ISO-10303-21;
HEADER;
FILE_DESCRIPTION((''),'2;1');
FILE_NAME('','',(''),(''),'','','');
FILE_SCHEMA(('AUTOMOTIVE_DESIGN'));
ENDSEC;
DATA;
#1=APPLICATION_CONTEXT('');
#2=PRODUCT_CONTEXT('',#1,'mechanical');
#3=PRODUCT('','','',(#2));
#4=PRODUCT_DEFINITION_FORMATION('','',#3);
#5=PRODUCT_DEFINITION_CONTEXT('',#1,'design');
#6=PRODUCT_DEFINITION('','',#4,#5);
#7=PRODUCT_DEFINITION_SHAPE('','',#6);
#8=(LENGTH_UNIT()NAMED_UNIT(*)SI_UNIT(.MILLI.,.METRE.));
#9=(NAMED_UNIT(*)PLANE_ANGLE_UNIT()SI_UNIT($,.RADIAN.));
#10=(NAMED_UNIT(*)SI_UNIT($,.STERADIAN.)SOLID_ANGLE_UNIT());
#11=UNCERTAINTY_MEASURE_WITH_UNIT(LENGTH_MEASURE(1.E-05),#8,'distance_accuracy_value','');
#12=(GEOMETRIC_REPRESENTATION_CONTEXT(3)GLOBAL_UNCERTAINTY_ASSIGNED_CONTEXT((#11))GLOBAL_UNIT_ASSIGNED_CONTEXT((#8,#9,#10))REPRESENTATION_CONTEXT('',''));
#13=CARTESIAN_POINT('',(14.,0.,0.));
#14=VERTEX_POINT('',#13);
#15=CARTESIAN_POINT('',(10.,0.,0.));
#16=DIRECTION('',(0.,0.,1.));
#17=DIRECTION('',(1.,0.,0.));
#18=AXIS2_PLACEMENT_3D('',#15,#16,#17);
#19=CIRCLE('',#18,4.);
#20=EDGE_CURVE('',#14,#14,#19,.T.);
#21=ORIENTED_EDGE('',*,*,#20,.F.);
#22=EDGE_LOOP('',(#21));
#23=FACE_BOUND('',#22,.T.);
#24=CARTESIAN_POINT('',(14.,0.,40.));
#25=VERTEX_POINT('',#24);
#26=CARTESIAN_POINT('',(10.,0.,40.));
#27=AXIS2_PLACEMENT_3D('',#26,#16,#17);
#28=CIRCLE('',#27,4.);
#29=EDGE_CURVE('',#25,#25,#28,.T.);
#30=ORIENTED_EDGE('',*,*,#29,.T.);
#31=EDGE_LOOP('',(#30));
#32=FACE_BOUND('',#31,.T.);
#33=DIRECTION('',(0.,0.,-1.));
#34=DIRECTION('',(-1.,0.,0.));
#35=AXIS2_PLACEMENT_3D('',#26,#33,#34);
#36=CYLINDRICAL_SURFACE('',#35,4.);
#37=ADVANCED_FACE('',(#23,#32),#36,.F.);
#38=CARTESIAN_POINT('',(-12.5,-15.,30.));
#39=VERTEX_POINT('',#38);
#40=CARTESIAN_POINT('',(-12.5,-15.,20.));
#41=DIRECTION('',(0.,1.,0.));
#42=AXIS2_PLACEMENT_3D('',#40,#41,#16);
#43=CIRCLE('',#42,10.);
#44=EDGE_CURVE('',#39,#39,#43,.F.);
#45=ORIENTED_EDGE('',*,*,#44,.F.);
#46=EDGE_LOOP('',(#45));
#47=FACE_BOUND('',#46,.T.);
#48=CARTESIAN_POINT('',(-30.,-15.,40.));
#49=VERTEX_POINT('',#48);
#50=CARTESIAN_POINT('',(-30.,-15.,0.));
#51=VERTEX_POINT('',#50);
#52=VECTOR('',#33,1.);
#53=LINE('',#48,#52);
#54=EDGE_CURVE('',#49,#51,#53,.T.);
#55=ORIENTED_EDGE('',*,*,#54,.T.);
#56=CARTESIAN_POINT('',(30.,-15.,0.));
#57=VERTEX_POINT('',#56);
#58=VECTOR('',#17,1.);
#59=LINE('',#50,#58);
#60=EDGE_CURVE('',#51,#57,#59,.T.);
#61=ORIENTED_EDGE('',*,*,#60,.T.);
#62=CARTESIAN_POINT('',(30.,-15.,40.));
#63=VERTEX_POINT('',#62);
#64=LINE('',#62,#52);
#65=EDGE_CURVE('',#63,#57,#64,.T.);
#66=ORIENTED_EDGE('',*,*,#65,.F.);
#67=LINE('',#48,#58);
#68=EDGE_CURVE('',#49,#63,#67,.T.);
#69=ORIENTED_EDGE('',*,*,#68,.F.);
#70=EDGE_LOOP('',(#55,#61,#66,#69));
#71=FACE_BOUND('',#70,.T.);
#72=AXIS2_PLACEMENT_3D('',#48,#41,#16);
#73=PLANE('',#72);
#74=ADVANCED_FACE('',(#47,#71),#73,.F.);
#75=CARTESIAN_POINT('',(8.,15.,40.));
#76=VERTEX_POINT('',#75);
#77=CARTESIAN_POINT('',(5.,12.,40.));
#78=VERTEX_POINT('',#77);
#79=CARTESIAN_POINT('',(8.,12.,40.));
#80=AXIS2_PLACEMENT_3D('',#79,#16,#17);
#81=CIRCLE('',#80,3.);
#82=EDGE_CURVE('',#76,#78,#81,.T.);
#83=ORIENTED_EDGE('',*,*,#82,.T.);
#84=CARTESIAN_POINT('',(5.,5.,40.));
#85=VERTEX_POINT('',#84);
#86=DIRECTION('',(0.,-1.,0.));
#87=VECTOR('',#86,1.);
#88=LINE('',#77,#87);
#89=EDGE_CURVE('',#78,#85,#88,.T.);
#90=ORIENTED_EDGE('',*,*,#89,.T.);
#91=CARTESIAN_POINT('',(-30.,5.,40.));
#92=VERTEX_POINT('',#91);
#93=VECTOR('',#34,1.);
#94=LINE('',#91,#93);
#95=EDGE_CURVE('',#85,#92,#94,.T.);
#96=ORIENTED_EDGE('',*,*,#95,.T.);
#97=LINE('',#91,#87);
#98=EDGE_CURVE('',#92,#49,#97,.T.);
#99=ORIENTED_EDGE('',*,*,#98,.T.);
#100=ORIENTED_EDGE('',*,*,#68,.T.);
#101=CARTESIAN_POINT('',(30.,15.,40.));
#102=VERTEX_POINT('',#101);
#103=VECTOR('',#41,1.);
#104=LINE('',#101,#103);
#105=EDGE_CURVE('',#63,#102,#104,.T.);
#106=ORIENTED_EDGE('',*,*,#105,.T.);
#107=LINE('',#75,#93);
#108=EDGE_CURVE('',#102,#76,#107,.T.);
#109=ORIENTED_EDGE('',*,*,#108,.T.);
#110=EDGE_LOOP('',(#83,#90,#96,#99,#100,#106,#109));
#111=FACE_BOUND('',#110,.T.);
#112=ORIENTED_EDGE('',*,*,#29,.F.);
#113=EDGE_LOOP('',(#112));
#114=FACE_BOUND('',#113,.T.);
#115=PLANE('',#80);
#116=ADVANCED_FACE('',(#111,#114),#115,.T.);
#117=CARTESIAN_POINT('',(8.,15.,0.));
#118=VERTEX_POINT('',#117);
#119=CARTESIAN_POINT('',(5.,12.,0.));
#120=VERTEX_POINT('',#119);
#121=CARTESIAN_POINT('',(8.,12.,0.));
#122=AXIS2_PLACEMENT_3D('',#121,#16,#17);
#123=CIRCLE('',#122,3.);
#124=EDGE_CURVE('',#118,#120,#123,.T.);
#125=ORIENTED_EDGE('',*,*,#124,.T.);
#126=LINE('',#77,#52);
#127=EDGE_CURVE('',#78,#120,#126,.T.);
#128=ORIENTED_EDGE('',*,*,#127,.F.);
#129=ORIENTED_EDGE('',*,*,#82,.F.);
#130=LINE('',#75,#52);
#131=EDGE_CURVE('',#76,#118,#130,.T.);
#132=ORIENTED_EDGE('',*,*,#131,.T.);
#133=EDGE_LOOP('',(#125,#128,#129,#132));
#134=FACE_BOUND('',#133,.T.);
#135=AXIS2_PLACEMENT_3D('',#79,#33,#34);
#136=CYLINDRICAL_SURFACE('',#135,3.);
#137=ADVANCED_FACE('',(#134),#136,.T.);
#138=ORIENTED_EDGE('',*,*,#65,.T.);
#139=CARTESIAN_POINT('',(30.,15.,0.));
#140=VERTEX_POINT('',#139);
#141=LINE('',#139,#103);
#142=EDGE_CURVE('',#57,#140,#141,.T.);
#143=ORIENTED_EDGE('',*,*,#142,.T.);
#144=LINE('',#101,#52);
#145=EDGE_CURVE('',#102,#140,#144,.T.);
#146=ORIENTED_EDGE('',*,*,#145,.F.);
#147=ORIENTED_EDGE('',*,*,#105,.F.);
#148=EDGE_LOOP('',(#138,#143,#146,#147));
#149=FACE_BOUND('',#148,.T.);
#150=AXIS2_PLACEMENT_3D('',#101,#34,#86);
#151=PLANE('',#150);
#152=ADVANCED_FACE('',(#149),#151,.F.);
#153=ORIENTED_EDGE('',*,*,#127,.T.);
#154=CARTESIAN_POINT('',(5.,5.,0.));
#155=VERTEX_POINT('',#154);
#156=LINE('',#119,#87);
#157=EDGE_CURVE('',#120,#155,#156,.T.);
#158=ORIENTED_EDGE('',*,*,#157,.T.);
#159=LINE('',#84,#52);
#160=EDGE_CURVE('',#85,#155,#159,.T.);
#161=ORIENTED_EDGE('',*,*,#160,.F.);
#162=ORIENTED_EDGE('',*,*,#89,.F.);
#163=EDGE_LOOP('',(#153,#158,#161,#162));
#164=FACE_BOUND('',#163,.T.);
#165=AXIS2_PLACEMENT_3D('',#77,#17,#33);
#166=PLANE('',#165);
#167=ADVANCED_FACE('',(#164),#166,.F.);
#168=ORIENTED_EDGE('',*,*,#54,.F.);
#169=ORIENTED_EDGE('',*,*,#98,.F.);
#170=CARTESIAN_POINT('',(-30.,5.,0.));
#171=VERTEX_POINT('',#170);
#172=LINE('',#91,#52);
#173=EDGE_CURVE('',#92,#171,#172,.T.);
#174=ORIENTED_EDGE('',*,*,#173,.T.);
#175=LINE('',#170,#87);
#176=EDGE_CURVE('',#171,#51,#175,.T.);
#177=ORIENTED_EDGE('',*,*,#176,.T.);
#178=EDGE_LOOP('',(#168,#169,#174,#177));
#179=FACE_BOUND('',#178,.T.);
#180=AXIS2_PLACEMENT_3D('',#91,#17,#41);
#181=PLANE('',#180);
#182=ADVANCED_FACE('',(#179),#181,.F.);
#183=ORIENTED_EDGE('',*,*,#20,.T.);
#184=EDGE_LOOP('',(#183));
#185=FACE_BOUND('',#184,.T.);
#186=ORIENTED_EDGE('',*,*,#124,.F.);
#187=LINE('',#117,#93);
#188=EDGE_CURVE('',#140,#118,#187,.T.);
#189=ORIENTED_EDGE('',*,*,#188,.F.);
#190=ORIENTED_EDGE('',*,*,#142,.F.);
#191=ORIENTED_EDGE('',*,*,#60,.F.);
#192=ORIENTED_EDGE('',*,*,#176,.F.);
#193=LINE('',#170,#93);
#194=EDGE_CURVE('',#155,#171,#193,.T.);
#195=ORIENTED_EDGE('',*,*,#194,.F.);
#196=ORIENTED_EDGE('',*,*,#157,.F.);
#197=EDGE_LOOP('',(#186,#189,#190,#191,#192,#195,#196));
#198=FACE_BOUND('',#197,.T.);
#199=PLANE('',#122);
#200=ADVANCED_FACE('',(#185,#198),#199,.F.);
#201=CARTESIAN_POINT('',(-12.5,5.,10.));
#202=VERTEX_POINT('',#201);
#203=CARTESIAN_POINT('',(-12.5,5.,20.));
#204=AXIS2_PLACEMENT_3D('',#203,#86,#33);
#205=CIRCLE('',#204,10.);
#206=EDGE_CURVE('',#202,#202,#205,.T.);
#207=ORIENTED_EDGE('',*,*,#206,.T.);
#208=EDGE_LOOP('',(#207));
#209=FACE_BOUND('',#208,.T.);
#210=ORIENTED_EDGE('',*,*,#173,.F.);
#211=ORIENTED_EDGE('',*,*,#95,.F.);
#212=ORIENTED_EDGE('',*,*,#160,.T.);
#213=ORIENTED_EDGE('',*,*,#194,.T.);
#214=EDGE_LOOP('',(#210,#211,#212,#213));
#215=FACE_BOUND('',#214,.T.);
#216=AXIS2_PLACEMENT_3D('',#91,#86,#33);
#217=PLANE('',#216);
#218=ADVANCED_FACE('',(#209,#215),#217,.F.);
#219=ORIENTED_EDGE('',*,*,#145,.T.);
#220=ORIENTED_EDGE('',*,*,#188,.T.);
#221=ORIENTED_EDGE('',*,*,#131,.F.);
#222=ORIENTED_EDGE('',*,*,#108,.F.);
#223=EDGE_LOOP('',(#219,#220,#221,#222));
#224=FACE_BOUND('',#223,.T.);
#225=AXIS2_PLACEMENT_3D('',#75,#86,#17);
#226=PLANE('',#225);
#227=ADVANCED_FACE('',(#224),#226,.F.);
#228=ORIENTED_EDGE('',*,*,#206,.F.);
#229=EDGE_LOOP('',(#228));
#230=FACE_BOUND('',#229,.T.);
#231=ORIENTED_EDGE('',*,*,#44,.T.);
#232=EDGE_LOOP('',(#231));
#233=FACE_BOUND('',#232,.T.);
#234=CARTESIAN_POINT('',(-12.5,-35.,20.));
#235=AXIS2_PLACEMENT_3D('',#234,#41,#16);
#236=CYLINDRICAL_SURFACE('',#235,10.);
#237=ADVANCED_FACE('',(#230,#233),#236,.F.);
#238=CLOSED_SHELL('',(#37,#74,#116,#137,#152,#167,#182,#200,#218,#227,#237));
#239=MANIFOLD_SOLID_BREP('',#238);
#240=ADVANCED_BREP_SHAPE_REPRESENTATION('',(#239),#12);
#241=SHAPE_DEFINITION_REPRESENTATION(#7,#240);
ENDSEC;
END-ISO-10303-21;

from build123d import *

# Parameters (mm, degrees)
SKETCH_1_R          = 4
EXTRUDE_1_DEPTH     = 40
CUT_EXTRUDE_START   = 5
SKETCH_2_R          = 10
CUT_EXTRUDE_1_DEPTH = 40


with BuildPart() as part:
    # 草图1 → 凸台-拉伸1 (new body)
    with BuildSketch(Plane.XY):
        with BuildLine():
            Line((8, 15), (30, 15))
            Line((30, 15), (30, -15))
            Line((30, -15), (-30, -15))
            Line((-30, -15), (-30, 5))
            Line((-30, 5), (5, 5))
            Line((5, 5), (5, 12))
            ThreePointArc((5, 12), (5.878679656, 14.121320344), (8, 15))
        make_face()
        with Locations((10, 0)):
            Circle(SKETCH_1_R, mode=Mode.SUBTRACT)
    extrude(amount=EXTRUDE_1_DEPTH)

    # 草图2 → 切除-拉伸1 (cut)
    with BuildSketch(Plane(origin=(0, 0, 0), x_dir=(1, 0, 0), z_dir=(0, 1, 0)).offset(CUT_EXTRUDE_START)):
        with Locations(Location((-12.5, -20, 0), (0, 0, 270))):
            Circle(SKETCH_2_R)
    extrude(amount=-CUT_EXTRUDE_1_DEPTH, mode=Mode.SUBTRACT)


solid = part.part
